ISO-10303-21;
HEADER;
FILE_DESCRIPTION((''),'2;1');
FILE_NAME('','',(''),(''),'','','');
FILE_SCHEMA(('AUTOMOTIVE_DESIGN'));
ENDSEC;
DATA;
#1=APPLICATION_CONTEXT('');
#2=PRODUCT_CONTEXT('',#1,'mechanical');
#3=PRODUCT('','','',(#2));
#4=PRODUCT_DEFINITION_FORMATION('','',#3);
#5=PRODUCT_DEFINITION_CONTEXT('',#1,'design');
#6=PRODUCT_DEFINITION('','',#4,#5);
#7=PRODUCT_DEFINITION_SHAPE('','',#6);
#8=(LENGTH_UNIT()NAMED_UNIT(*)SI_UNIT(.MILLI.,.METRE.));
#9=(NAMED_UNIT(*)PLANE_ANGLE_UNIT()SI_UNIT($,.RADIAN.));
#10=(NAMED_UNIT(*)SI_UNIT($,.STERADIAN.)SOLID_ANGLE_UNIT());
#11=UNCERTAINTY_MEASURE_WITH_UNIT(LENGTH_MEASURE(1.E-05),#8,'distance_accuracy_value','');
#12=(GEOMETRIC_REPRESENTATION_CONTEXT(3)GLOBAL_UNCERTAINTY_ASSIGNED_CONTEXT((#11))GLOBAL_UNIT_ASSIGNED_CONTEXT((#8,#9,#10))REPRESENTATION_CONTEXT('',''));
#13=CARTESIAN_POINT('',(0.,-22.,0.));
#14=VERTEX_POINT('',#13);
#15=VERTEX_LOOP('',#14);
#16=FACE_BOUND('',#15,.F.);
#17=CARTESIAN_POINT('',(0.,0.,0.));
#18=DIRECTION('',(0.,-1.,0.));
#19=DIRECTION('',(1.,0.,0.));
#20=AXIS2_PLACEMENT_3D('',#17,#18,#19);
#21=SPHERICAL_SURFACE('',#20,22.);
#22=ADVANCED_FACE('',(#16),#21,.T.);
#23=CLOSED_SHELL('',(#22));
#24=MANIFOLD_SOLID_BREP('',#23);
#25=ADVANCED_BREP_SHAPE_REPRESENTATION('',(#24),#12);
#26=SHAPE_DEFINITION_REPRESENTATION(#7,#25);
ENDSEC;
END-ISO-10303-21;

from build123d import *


with BuildPart() as part:
    # Esquisse2 → Révolution5 (revolve)
    with BuildSketch(Plane.XY):
        with BuildLine():
            Line((0, -22), (0, 22))
            ThreePointArc((0, 22), (22, 0), (0, -22))
        make_face()
    revolve(axis=Axis((0, -24.2, 0), (0, 1, 0)))


solid = part.part
